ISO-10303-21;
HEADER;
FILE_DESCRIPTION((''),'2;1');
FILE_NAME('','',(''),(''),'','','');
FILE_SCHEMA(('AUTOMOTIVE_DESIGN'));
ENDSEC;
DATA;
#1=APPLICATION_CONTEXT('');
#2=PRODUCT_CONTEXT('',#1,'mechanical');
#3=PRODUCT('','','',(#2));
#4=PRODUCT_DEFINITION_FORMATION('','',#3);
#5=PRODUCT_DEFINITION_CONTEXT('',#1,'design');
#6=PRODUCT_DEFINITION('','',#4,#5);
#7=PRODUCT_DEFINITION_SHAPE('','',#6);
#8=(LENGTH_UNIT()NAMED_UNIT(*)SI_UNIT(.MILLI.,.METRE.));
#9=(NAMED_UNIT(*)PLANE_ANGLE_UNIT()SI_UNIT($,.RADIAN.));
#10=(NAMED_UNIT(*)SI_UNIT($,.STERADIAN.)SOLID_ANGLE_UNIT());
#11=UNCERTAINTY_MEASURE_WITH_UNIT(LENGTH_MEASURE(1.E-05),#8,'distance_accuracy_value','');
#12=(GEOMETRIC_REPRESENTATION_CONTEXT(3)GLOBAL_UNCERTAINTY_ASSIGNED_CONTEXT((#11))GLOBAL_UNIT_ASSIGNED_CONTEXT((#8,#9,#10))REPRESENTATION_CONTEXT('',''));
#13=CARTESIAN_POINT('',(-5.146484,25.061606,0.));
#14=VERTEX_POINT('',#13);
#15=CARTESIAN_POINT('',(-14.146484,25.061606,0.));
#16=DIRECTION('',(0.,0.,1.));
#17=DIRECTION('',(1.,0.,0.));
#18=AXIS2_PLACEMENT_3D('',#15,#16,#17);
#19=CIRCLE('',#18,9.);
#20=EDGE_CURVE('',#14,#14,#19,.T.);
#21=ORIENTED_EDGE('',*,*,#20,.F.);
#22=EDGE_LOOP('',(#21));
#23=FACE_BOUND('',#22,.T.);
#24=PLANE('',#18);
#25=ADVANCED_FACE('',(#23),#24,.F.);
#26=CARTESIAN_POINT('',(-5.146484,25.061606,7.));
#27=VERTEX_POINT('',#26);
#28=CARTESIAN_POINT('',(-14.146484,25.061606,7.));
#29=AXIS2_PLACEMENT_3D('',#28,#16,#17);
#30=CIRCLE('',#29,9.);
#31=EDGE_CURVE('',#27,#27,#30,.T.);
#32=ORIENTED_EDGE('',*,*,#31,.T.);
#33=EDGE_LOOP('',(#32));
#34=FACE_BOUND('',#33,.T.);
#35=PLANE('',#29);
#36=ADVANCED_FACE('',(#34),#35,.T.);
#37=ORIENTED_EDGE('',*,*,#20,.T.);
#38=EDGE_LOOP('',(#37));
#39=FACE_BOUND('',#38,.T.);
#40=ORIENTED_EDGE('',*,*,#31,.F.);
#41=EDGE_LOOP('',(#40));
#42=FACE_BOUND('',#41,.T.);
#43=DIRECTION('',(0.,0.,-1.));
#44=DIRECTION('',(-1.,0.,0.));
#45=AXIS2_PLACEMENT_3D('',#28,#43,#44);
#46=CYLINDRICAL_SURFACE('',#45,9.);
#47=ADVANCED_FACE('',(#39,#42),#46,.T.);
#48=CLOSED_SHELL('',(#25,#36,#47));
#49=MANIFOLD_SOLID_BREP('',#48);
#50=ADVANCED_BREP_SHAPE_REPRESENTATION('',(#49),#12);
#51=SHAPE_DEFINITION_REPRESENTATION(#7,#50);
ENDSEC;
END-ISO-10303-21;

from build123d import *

# Parameters (mm, degrees)
SKETCH1_R           = 9
BOSS_EXTRUDE3_DEPTH = 7


with BuildPart() as part:
    # Sketch1 → Boss-Extrude3 (new body)
    with BuildSketch(Plane.XY):
        with Locations((-14.146484292, 25.061606325)):
            Circle(SKETCH1_R)
    extrude(amount=BOSS_EXTRUDE3_DEPTH)


solid = part.part
